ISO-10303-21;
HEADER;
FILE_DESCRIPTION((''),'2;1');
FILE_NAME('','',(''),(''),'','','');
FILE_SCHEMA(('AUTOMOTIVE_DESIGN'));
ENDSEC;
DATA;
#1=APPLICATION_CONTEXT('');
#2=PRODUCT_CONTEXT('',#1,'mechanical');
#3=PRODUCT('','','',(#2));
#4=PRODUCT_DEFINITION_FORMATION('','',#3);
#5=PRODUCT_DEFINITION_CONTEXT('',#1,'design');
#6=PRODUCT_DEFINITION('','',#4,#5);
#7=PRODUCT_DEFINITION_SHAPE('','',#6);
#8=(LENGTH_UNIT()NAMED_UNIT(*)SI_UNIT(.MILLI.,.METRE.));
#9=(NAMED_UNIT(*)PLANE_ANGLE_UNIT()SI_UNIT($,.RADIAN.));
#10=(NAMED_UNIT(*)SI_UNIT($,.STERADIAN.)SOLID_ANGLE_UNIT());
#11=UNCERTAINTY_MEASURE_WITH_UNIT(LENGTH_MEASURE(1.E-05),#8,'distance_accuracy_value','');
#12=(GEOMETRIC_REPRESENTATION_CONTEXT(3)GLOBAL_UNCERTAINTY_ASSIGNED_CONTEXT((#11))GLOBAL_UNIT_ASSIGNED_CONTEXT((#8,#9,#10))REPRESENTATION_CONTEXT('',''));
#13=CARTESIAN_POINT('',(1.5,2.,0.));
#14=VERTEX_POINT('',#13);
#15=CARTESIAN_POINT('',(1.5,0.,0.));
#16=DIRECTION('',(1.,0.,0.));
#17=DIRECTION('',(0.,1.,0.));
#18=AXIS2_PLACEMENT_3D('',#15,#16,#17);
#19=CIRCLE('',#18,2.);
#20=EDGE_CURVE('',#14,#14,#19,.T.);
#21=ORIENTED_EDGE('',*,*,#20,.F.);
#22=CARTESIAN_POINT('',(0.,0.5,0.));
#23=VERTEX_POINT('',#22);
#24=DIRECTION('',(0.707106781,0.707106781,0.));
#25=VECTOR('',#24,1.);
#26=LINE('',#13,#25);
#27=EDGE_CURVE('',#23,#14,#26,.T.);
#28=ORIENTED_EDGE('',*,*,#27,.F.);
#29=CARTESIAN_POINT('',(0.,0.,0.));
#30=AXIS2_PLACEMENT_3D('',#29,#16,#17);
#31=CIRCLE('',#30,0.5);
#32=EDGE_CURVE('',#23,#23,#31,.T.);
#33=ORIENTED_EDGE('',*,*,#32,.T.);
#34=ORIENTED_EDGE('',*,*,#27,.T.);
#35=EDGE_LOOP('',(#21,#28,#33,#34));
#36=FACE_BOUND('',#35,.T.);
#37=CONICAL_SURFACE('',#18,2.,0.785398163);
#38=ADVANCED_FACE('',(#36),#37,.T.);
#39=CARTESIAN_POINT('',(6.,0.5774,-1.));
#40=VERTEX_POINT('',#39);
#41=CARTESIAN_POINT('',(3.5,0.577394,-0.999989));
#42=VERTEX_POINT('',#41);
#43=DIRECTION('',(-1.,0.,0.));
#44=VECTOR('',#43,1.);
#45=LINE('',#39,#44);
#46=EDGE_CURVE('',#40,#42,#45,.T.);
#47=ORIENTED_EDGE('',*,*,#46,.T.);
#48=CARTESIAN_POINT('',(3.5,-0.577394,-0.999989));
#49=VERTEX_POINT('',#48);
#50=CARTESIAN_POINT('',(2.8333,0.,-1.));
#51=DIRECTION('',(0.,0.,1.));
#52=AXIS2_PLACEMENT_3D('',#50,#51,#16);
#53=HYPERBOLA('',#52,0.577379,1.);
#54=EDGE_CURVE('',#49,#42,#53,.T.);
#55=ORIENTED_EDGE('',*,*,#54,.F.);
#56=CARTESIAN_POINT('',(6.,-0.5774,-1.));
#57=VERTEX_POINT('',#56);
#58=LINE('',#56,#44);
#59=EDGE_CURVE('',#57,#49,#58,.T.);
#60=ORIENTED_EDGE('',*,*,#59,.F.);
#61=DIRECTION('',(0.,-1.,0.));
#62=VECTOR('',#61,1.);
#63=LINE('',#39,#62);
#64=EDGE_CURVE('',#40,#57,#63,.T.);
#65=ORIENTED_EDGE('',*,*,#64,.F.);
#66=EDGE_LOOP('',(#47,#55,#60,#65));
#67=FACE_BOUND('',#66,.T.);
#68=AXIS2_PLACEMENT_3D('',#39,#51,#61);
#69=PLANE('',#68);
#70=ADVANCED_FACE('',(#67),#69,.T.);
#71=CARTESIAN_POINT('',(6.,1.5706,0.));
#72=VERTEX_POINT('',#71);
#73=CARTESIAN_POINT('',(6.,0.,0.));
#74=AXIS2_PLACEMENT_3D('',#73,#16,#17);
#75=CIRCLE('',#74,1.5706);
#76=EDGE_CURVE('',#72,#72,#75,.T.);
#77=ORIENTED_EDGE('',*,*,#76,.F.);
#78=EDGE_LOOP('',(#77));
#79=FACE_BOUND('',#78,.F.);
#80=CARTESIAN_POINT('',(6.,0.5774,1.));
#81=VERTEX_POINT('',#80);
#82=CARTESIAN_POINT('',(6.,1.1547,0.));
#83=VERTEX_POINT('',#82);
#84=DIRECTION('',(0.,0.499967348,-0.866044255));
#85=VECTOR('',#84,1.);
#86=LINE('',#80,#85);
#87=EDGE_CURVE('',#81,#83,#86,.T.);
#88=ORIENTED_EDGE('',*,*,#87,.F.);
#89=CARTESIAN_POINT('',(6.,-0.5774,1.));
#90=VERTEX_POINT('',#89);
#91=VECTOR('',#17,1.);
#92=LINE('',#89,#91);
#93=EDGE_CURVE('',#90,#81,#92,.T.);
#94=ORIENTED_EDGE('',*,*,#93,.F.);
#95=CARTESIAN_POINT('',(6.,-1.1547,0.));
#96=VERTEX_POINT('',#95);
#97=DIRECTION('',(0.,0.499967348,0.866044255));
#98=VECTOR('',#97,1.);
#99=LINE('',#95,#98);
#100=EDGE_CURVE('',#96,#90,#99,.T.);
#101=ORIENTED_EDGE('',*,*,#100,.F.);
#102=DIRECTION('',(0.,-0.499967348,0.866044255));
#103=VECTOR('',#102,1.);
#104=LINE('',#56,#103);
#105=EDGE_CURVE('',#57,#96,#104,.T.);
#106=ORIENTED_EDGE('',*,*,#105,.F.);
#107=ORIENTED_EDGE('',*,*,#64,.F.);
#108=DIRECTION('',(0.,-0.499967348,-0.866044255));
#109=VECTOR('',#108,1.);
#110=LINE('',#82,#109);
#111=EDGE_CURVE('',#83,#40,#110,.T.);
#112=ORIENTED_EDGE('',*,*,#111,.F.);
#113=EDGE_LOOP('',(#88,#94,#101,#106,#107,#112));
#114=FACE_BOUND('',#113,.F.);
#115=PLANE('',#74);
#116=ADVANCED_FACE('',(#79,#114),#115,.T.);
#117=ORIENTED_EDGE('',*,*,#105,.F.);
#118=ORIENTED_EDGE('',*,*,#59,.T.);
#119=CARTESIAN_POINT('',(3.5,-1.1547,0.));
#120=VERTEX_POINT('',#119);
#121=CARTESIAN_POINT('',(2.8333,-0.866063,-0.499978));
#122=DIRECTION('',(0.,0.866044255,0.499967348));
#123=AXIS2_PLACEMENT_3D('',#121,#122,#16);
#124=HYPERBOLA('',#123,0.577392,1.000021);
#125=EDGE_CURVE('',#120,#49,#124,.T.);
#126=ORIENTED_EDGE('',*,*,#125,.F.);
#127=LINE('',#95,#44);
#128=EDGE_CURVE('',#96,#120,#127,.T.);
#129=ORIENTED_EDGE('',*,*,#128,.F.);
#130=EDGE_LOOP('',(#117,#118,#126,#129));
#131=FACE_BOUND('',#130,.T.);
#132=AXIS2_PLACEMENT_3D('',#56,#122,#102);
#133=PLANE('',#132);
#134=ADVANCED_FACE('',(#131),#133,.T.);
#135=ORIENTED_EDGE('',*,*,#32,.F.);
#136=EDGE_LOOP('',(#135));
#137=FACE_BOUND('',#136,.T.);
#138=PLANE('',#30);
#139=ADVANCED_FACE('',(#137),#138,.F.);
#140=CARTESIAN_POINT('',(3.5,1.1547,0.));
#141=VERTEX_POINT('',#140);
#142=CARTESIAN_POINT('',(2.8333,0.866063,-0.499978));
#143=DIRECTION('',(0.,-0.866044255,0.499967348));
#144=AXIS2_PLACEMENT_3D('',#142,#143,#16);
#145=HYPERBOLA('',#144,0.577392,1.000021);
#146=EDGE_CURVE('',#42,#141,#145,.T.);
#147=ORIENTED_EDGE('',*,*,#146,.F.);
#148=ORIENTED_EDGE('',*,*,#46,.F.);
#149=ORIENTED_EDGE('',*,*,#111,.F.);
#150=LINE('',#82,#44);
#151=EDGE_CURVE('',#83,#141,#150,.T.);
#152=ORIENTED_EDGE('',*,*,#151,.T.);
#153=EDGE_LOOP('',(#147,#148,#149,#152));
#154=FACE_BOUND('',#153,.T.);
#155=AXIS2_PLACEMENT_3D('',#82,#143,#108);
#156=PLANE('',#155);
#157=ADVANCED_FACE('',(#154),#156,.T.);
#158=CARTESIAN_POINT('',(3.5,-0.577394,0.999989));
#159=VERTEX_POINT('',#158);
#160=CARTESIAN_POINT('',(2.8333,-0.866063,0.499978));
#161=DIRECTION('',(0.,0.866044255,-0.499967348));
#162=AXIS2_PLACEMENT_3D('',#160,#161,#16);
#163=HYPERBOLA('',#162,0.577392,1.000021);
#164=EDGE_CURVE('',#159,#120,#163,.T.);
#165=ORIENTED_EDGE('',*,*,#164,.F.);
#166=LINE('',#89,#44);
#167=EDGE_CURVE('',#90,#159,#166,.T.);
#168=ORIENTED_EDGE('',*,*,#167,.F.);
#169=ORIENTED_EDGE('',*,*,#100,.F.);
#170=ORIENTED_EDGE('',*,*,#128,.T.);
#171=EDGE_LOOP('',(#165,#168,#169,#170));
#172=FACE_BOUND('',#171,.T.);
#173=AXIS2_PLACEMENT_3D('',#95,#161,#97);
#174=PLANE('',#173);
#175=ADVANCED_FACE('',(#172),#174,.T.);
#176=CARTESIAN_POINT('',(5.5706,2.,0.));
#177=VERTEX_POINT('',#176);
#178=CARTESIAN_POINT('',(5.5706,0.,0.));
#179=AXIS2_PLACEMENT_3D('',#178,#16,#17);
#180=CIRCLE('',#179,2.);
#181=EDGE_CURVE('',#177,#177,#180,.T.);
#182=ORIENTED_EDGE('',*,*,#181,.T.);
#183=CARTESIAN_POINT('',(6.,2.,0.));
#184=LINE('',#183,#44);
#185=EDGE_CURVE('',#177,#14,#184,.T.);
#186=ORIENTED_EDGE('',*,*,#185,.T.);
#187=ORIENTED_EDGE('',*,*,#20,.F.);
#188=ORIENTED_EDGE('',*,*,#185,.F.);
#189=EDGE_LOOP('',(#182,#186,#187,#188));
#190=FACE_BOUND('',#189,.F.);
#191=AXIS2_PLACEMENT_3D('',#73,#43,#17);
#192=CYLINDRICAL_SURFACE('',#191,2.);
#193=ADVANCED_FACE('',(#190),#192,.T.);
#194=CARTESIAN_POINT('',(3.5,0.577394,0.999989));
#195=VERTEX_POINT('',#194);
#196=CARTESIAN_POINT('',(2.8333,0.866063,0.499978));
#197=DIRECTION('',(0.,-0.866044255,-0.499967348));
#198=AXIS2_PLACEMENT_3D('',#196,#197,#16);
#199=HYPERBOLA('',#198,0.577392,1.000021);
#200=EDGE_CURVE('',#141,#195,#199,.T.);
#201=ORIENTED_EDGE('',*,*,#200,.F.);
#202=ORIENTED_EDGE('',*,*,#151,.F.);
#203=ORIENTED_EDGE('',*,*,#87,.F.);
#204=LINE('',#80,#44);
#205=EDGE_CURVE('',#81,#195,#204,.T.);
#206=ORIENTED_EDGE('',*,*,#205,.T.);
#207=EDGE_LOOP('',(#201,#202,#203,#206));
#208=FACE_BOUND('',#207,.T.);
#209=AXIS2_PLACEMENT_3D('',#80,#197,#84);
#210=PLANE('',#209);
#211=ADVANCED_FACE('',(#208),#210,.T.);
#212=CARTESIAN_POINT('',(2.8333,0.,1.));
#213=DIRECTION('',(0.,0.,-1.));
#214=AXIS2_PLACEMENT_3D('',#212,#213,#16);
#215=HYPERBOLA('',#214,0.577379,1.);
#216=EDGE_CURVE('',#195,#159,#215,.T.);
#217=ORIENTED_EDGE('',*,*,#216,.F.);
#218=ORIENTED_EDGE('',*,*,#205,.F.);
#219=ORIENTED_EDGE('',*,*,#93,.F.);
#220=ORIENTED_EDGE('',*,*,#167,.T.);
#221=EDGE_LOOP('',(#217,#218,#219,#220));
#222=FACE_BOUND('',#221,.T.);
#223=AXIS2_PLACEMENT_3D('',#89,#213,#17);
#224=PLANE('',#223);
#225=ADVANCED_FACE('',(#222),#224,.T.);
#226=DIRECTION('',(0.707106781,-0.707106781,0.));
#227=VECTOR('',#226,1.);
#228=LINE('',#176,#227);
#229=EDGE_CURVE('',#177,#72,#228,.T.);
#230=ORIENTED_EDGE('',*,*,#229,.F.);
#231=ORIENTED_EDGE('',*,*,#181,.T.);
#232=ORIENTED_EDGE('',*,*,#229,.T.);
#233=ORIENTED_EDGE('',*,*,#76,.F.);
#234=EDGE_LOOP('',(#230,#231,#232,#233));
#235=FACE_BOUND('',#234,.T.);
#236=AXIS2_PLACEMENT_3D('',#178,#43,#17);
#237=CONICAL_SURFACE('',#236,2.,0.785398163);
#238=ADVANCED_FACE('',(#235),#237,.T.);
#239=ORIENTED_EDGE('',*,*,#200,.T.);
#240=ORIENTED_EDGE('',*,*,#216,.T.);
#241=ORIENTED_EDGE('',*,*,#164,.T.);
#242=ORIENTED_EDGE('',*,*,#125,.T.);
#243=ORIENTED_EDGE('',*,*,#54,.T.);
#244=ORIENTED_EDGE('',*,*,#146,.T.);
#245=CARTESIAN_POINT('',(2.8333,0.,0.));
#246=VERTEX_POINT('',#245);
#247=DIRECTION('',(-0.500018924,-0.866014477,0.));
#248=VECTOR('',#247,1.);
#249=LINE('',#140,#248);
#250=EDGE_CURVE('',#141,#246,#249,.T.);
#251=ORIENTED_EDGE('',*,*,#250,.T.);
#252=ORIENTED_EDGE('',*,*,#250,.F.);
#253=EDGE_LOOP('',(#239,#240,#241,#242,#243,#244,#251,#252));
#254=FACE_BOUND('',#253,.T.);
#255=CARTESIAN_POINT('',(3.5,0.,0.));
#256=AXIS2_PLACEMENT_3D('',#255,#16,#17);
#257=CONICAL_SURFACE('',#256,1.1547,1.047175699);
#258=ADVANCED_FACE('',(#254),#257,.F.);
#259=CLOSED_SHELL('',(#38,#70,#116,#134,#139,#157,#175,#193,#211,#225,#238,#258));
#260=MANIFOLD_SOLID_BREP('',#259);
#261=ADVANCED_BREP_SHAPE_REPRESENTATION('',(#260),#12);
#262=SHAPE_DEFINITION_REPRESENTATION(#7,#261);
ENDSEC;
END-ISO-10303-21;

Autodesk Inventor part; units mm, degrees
ref_plane "YZ Plane" through (0, 0, 0) normal (1, 0, 0) x (0, 1, 0)
ref_plane "XZ Plane" through (0, 0, 0) normal (0, 1, 0) x (-1, 0, 0)
sketch "Sketch1" plane through (0, 0, 0) normal (0, 0, 1) x (1, 0, 0)
  line L0 (0, 0) -> (2.8333, 0)
  line L1 (6, 1.1547) -> (6, 2)
  line L2 (6, 2) -> (0, 2)
  line L3 (6, 1.1547) -> (3.5, 1.1547)
  line L4 (3.5, 1.1547) -> (2.8333, 0)
  line L5 (0, -0.4) -> (0, 2.4) projected
  line L6 (0, 2) -> (0, 0)
  dimension "d0" = 2.5
  dimension "d1" = 60
  dimension "d2" = 4
  dimension "d3" = 2.3094
  dimension "d5" = 6
revolve "Body" add sketch "Sketch1" angle 360 about axis through (0, 0, 0) along (1, 0, 0)
sketch "Sketch2" plane through (6, 0, 0) normal (1, 0, 0) x (0, 1, 0)
  circle A0 centre (0, 0) radius 1.1547 projected
  line L0 (-0.5774, 1) -> (0.5774, 1)
  line L1 (0.5774, 1) -> (1.1547, 0)
  line L2 (1.1547, 0) -> (0.5774, -1)
  line L3 (0.5774, -1) -> (-0.5774, -1)
  line L4 (-0.5774, -1) -> (-1.1547, 0)
  line L5 (-1.1547, 0) -> (-0.5774, 1)
  point P0 (0, 0)
  point P1 (0, 0)
extrude "Slot" add sketch "Sketch2" against normal up to next contours L1 A0 | A0 L2 | L0 A0 | A0 L3 | L5 A0 | A0 L4
thread "Thread" size "M4x0.7" class "6g" standard "ISO Metric profile" length 6
chamfer "Chamfer1" distance 1.5 angle 45 1 edges at (0, -2, 0) measured on face at (4, 1.9741, -0.3208)
chamfer "Chamfer2" distance 0.4294 angle 45 1 edges at (6, -2, 0) measured on face at (4.5, 1.9741, -0.3208)
ref_plane "Work Plane1" through (3, 0, 0) normal (0, 0, 1) x (1, 0, 0)
equation "\"d0\" = INTI"
equation "\"d2\" = NND"
equation "\"d3\" = 1.1547 * SW"
equation "\"d5\" = NLG"
equation "\"d12\" = NLG"
equation "\"d9\" = FAWI"
equation "\"d10\" = -0.5 * GD1 + 0.5 * NND"
equation "\"d11\" = FAWI"
equation "\"d35\" = -0.5 * GD1 + 0.5 * NND"
equation "\"NND\" = 4"
equation "\"NLG\" = 6"
equation "\"INTI\" = 2.5"
equation "\"FAWI\" = 45deg"
equation "\"SW\" = 2"
equation "\"GD1\" = THREADDIA - 1.2269 * PTC"
equation "\"FAWI1\" = 45deg"
equation "\"SPD\" = 1"
equation "\"GUL\" = 0.61345 * PTC"
equation "\"TOA\" = 30deg"
equation "\"THREADDIA\" = 4"
equation "\"PTC\" = 0.7"
equation "\"GAL\" = 0.61345 * PTC"
equation "\"E0\" = 1.155 * SW"
properties part number "ISO 4027 - M4 x 6" material "Stainless Steel, 440C"
